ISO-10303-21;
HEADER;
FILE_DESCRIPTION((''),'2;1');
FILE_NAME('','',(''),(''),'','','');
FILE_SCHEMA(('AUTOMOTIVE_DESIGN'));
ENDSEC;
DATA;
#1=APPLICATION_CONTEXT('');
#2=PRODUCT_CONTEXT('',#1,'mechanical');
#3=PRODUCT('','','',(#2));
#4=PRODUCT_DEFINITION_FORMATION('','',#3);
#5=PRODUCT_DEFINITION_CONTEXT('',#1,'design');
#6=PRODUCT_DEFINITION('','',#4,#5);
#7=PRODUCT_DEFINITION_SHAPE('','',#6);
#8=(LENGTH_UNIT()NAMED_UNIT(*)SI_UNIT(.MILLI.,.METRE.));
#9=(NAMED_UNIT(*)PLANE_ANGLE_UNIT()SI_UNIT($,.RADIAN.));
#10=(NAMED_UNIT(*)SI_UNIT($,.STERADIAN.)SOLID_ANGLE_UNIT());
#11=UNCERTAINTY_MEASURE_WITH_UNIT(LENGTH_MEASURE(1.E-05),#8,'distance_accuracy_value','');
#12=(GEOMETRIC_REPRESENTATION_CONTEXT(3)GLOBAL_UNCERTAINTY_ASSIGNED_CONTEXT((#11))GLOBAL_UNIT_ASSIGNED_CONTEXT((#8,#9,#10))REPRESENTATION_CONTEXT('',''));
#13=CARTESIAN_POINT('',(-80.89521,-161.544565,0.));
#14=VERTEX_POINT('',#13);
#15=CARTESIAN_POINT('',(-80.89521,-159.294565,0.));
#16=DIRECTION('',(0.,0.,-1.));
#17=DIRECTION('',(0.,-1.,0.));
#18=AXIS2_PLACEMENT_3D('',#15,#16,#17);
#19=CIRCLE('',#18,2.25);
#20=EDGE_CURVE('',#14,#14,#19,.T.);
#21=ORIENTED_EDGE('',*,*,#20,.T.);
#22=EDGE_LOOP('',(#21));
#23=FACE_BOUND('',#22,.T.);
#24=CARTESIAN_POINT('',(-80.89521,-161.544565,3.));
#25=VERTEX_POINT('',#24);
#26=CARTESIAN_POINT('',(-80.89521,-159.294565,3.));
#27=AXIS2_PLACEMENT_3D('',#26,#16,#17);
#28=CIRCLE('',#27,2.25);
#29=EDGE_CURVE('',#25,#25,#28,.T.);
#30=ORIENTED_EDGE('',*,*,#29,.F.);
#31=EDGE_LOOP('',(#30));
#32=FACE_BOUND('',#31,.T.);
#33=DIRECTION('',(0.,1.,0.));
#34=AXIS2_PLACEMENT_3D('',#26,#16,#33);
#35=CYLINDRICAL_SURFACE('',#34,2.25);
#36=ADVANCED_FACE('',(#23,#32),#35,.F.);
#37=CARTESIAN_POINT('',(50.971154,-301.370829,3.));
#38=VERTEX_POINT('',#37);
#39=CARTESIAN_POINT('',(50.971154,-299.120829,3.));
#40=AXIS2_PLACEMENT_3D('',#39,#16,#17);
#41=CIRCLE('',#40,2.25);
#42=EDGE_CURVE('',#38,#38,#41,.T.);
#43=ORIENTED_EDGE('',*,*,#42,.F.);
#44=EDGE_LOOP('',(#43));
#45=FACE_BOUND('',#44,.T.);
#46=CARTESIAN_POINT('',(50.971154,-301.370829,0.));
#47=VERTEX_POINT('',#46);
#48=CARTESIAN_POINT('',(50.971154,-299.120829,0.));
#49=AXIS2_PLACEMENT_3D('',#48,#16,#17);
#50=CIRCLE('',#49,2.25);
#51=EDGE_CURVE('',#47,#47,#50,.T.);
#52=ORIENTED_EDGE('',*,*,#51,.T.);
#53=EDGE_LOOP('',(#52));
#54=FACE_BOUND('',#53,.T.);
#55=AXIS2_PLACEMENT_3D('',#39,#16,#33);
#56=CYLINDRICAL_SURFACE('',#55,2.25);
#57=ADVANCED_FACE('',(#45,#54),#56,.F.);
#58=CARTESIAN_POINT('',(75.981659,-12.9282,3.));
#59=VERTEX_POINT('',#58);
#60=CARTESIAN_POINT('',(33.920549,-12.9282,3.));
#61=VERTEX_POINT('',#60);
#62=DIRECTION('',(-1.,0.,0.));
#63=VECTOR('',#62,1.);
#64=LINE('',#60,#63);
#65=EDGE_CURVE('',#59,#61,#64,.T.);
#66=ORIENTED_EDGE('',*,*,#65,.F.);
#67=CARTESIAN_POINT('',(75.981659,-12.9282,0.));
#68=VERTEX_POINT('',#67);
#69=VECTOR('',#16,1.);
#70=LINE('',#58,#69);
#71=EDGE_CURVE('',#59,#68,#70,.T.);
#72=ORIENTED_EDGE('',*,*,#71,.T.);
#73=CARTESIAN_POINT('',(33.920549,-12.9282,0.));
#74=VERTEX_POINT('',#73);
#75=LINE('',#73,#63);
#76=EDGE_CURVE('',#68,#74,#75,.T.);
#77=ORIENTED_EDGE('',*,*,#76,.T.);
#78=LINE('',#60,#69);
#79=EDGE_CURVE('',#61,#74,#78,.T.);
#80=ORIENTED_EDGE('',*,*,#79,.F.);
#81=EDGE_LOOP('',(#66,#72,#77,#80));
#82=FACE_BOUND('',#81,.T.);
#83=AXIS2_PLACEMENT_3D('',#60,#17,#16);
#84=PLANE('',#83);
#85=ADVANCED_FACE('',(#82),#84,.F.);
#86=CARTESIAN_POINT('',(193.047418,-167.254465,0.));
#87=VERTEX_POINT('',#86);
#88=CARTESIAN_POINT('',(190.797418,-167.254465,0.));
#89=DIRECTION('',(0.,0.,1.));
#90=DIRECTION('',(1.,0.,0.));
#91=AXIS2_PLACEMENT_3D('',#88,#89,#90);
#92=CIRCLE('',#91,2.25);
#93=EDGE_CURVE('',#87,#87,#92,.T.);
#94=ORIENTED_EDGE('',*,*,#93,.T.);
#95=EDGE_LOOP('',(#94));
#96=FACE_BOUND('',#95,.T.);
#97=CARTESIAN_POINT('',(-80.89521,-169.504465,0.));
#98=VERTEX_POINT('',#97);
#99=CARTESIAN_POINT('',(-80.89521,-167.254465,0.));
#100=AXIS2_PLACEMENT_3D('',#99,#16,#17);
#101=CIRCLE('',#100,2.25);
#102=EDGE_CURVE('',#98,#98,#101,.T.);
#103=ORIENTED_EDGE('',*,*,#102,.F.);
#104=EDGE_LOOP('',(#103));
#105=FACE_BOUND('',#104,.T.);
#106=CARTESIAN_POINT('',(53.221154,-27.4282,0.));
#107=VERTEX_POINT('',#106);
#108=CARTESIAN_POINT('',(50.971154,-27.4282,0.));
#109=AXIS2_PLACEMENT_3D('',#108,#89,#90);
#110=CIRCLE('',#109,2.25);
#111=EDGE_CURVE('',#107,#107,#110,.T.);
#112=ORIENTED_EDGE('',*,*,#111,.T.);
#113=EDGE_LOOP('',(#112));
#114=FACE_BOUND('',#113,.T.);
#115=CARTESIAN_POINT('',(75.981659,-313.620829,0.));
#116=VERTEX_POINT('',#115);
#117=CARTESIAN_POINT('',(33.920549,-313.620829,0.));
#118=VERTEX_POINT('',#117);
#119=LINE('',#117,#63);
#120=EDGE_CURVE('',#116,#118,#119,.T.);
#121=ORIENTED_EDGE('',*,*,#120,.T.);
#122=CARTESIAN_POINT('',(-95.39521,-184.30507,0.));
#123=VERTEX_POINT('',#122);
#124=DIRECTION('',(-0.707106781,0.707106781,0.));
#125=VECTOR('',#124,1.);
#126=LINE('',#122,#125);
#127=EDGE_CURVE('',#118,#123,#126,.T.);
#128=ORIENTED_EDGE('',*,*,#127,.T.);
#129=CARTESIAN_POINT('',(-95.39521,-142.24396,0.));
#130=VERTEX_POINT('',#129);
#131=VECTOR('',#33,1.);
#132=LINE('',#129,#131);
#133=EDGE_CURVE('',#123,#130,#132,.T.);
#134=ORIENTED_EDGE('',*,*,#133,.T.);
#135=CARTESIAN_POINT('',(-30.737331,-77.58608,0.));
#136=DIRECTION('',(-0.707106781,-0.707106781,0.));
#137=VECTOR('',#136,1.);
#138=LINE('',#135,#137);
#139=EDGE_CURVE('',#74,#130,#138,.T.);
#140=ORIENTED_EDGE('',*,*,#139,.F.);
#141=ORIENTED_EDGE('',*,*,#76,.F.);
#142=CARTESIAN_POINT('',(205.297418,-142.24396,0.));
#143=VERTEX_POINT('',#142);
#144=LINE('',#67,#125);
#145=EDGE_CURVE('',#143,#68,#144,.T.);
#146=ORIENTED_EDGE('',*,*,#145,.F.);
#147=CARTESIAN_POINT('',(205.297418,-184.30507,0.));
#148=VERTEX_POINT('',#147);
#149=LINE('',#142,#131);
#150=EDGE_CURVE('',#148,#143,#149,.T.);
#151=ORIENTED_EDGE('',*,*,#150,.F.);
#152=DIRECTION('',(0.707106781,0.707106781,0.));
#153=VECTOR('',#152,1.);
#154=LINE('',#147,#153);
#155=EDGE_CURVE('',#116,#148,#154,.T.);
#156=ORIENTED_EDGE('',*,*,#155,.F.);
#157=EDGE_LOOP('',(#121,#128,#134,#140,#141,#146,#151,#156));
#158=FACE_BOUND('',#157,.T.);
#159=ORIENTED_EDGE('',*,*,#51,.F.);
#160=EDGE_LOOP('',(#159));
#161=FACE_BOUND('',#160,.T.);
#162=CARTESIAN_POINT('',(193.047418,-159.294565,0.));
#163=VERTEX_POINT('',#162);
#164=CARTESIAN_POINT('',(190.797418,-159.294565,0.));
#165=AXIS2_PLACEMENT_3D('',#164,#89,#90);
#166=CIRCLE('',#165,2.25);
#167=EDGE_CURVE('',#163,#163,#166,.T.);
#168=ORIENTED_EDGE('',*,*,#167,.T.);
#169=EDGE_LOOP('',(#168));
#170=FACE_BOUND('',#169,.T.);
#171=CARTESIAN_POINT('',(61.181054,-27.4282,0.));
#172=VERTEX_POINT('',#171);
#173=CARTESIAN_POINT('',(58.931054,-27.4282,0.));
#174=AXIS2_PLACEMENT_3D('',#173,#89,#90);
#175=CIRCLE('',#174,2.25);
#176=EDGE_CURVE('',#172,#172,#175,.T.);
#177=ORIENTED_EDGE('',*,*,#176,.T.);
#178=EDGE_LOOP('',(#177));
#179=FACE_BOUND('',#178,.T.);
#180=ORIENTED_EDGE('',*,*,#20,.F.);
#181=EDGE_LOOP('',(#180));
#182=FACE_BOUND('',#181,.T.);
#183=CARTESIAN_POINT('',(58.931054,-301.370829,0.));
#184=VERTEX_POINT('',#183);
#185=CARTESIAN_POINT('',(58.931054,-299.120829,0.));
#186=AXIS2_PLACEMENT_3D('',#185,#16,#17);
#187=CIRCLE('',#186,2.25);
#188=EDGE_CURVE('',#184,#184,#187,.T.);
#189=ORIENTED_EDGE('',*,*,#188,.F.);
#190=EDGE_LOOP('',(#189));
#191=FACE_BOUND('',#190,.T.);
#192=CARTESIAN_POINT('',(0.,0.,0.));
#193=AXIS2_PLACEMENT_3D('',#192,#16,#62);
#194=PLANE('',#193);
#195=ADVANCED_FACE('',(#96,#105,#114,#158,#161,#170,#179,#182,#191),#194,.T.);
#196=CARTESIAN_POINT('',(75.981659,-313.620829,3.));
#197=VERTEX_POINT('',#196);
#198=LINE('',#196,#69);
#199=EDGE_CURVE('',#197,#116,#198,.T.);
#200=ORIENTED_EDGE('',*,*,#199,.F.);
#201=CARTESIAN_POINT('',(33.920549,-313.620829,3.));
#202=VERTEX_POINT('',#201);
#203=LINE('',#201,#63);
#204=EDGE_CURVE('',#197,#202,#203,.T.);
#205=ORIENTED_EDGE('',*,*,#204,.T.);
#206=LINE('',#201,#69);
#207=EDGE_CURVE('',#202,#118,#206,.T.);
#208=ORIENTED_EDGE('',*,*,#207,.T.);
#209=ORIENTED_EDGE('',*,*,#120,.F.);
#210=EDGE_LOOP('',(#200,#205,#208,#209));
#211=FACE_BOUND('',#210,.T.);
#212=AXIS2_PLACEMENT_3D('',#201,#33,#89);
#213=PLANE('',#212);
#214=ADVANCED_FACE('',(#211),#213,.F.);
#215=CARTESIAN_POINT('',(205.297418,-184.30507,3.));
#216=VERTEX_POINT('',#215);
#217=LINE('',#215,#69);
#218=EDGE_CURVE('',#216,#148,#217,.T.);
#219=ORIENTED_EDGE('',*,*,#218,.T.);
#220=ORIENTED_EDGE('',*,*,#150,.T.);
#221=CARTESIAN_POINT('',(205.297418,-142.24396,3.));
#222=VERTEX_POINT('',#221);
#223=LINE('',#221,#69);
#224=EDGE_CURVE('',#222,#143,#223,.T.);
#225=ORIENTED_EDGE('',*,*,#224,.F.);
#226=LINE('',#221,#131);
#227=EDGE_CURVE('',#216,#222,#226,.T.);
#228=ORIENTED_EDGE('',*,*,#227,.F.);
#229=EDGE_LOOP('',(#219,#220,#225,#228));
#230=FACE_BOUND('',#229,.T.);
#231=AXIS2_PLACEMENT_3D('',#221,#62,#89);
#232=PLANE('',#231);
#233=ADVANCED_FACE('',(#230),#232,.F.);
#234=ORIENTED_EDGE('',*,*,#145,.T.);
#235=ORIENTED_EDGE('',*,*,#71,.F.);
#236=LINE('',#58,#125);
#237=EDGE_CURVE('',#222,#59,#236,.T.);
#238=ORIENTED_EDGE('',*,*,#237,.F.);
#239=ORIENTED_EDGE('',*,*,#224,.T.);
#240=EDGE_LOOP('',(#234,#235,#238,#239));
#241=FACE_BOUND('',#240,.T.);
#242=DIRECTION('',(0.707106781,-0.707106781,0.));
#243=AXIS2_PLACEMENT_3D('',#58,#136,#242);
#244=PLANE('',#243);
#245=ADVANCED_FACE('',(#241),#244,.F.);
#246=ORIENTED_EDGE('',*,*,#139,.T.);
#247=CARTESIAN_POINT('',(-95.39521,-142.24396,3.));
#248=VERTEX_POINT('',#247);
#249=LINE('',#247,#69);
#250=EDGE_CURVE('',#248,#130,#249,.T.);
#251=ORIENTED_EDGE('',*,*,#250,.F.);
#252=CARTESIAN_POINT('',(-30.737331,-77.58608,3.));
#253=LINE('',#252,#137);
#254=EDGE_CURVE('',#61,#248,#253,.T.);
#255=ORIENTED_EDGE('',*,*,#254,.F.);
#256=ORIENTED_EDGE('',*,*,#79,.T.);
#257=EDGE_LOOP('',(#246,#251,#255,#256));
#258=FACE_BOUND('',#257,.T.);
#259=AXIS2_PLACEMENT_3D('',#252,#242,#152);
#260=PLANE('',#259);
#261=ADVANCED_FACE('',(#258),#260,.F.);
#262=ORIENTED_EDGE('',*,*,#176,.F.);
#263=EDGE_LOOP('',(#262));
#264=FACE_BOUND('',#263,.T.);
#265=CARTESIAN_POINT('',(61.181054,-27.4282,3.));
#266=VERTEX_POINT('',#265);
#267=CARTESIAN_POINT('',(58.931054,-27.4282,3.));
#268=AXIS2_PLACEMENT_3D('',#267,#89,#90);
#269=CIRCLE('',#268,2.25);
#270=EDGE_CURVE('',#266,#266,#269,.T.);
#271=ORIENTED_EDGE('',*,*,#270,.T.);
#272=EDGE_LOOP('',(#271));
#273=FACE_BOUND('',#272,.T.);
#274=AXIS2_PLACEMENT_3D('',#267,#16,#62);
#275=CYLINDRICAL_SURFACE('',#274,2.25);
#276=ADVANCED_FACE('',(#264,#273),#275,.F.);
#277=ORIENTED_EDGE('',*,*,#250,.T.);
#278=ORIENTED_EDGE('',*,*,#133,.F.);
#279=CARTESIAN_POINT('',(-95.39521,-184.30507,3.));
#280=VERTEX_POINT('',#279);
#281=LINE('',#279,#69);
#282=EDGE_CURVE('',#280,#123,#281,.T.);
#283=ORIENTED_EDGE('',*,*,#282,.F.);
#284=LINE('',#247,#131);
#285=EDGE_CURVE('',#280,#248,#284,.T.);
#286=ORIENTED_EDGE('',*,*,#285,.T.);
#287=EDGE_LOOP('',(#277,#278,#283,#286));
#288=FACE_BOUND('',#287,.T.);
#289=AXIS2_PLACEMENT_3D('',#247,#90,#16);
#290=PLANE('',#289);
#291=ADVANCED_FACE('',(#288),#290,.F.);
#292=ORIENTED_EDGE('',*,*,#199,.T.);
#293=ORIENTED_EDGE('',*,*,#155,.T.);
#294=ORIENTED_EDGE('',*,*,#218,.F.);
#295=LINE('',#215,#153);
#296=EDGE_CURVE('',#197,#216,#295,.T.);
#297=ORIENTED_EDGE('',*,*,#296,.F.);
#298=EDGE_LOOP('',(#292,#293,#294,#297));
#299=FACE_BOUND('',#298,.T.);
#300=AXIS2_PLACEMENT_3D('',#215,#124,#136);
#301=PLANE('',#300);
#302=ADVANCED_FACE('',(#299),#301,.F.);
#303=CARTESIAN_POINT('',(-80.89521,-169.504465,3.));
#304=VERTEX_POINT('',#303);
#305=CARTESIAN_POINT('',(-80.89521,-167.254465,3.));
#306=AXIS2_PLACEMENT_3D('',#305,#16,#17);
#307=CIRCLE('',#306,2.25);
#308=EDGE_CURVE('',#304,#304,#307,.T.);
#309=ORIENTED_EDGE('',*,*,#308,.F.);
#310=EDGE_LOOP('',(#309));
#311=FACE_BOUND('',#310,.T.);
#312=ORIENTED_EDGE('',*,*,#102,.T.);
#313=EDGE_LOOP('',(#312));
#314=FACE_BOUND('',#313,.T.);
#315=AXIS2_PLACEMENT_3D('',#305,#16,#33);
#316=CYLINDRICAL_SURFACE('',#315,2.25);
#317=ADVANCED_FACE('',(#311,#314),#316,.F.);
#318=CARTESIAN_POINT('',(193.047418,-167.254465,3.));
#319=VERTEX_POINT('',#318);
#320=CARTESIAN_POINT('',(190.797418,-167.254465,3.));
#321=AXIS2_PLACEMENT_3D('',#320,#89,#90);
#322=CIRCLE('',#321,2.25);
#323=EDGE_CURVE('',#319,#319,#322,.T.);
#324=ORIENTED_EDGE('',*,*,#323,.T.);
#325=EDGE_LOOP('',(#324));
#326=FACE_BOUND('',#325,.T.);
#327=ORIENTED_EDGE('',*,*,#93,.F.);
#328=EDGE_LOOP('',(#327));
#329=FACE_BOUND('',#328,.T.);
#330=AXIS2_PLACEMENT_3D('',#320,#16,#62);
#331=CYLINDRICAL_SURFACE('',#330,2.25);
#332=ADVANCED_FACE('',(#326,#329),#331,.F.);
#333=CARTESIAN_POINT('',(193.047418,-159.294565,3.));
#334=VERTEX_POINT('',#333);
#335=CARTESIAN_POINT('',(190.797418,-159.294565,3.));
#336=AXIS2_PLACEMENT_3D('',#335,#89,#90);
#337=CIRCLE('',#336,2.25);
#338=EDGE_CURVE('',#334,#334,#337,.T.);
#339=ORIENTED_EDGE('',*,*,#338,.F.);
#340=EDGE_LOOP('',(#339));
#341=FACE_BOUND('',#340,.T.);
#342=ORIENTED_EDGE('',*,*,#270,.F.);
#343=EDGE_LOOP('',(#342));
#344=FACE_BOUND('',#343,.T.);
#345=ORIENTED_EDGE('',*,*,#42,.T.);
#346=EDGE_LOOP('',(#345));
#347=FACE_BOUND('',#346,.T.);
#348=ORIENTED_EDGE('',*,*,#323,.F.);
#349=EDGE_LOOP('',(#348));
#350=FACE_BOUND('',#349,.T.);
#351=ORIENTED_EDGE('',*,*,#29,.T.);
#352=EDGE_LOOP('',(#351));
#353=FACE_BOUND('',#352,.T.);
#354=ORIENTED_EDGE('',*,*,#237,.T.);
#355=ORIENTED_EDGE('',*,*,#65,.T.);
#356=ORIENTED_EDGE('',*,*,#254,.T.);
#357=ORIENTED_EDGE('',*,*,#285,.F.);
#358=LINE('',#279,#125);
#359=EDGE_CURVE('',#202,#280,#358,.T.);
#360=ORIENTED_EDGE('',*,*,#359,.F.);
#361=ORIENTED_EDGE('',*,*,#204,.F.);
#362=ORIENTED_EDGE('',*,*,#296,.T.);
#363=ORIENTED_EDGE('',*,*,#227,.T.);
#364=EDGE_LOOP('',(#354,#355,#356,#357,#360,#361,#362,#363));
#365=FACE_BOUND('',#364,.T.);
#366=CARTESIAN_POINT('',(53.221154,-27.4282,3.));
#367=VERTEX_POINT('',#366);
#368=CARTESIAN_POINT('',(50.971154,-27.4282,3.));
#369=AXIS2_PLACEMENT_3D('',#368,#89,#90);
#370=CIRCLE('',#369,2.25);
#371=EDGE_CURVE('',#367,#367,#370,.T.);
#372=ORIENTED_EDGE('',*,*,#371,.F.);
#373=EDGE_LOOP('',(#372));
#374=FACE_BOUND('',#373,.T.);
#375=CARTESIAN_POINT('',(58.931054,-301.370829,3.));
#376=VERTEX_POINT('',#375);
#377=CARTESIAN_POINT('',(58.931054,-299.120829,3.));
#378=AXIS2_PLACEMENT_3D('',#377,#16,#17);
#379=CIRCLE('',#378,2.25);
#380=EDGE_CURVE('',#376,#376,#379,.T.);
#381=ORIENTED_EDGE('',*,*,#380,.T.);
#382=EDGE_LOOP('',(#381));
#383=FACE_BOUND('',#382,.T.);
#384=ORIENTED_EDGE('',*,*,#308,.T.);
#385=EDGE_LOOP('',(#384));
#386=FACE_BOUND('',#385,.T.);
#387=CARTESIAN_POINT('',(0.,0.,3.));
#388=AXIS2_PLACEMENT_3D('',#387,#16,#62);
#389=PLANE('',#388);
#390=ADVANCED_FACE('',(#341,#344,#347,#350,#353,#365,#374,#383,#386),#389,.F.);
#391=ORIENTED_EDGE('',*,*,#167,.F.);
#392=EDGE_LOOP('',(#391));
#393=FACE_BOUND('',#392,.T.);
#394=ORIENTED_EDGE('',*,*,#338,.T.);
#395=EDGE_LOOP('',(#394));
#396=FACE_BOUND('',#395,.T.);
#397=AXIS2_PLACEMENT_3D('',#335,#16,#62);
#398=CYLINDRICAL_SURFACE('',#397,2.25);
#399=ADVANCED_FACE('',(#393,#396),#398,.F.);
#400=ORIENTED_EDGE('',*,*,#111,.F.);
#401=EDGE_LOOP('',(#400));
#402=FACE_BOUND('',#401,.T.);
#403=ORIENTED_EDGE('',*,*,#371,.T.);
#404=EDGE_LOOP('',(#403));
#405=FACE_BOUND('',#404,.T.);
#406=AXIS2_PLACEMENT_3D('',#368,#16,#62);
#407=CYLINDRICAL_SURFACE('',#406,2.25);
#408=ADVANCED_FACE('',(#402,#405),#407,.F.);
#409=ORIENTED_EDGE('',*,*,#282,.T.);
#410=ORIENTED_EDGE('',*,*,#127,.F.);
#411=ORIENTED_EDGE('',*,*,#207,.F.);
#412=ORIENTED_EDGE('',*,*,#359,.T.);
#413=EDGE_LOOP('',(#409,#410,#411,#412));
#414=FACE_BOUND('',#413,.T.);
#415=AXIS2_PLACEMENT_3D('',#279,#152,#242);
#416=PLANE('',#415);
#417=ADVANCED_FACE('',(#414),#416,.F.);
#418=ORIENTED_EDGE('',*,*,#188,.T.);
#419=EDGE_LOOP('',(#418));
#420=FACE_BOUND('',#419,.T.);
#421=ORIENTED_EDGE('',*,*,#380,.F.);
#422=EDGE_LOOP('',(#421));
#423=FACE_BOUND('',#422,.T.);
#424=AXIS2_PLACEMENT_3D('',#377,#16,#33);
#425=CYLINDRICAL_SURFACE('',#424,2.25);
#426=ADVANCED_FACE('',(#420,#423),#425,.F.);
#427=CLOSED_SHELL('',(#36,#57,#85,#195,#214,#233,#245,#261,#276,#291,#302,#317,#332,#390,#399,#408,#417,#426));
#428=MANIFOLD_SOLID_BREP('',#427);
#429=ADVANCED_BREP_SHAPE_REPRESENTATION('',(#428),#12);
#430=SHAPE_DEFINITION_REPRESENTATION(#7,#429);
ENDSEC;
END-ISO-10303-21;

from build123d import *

# Parameters (mm, degrees)
SKETCH2_R           = 2.25
BOSS_EXTRUDE1_DEPTH = 3


with BuildPart() as part:
    # Sketch2 → Boss-Extrude1 (new body)
    with BuildSketch(Plane(origin=(54.951104055, -12.928200351, 0), x_dir=(1, 0, 0), z_dir=(0, 0, 1))):
        Polygon((150.346314429, -129.315759544), (150.346314429, -171.376869313), (85.688434657, -236.034749085), (-85.688434657, -64.657879772), (-21.030554884, 0), (21.030554884, 0), align=None)
        with Locations((-3.979949748, -14.5)):
            Circle(SKETCH2_R, mode=Mode.SUBTRACT)
        with Locations((3.979949748, -14.5)):
            Circle(SKETCH2_R, mode=Mode.SUBTRACT)
        with Locations((135.846314429, -154.326264177)):
            Circle(SKETCH2_R, mode=Mode.SUBTRACT)
        with Locations((135.846314429, -146.36636468)):
            Circle(SKETCH2_R, mode=Mode.SUBTRACT)
    extrude(amount=BOSS_EXTRUDE1_DEPTH)

    # Mirror1: part across plane


with BuildPart() as part_1:
    add(part.part)
    add(part.part.mirror(Plane(origin=(140.639538712, -248.962949436, 3), x_dir=(0, 0, 1), z_dir=(0.707106781186551, 0.7071067811865441, 0))))


solid = part_1.part
